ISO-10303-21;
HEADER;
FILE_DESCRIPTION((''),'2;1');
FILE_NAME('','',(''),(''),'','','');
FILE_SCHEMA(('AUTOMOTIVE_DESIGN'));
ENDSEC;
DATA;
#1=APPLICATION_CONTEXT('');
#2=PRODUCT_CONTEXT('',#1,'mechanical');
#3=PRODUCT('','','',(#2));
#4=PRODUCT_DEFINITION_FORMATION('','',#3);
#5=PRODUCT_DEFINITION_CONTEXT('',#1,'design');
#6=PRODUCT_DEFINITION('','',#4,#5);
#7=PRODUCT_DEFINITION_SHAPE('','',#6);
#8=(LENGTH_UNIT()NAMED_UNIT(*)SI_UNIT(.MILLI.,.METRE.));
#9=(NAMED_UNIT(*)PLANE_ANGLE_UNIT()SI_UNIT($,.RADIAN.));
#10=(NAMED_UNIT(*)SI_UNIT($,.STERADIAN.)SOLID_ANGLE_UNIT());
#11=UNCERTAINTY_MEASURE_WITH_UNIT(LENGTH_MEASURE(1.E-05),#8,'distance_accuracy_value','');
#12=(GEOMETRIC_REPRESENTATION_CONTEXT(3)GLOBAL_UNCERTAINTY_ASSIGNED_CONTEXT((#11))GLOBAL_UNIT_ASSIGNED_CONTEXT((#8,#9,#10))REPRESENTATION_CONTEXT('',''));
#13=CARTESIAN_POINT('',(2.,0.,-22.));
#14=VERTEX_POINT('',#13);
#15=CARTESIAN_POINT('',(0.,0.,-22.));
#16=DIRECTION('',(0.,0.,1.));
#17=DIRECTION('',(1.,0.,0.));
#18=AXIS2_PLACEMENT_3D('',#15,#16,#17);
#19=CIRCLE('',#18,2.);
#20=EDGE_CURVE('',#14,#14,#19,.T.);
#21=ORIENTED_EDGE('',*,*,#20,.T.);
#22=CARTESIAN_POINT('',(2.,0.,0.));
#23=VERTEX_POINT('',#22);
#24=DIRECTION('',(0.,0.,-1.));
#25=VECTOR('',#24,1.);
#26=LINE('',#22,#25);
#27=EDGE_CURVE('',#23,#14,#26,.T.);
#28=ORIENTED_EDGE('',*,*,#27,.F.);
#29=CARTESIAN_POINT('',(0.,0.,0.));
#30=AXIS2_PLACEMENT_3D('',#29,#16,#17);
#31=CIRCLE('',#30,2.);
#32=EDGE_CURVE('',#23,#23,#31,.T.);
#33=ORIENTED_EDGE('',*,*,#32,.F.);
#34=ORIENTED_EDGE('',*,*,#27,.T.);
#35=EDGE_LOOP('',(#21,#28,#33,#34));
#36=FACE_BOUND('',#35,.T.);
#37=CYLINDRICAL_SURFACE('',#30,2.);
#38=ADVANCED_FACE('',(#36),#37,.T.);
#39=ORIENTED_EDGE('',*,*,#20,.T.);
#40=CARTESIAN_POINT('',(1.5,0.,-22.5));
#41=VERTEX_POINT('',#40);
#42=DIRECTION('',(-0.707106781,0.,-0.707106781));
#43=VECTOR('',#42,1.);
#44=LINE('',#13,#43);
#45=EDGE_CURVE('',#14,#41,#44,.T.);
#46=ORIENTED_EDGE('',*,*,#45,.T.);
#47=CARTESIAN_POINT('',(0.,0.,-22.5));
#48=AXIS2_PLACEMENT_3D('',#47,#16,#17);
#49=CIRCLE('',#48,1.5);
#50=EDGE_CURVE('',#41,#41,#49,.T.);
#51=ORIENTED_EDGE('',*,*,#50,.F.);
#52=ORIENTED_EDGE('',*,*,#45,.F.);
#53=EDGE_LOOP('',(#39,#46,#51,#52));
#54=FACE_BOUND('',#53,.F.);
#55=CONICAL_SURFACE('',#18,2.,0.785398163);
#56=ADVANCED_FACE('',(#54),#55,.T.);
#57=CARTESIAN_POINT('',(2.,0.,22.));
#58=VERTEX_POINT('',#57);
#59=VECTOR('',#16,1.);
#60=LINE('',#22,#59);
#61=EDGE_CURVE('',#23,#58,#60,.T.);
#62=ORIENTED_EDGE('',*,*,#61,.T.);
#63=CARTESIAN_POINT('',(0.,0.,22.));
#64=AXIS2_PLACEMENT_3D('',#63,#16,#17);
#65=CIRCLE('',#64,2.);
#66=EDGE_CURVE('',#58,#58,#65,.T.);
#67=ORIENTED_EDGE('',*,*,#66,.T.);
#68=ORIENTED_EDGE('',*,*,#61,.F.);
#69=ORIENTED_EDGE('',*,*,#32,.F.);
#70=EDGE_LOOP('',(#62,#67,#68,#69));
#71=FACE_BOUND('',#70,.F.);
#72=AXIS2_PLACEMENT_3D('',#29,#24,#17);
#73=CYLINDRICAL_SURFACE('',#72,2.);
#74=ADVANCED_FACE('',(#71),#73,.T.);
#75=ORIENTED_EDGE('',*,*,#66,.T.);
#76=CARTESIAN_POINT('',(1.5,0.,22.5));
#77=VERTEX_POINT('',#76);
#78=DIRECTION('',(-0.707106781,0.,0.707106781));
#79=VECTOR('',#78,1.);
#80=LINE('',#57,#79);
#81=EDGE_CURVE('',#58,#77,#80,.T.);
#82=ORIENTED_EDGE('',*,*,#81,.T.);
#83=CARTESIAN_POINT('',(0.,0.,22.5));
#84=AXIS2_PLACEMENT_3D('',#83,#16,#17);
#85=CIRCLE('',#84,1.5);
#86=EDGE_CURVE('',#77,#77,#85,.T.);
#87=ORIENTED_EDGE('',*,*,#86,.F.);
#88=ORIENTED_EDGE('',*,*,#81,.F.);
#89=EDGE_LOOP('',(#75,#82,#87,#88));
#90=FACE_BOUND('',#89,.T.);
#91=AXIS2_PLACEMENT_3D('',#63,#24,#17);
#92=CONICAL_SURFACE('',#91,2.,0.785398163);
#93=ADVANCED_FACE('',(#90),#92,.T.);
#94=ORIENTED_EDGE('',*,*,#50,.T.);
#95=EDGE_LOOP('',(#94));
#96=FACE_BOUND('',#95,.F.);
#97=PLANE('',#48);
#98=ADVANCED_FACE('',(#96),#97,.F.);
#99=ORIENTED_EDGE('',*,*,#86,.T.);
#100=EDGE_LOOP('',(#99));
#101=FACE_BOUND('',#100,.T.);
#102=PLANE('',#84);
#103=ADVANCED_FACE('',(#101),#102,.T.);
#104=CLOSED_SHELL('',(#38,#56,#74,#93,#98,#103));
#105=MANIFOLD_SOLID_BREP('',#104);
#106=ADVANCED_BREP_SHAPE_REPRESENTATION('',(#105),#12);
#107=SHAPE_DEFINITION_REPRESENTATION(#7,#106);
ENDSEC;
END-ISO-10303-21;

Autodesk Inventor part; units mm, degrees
sketch "スケッチ1" plane through (0, 0, 0) normal (0, 0, 1) x (1, 0, 0)
  circle A0 centre (0, 0) radius 2
  dimension "d0" = 4
extrude "押し出し1" add sketch "スケッチ1" along normal mid plane 45
chamfer "面取り1" distance 0.5 angle 45 1 edges at (-2, 0, 22.5)
chamfer "面取り2" distance 0.5 angle 45 1 edges at (-2, 0, -22.5)
properties part number "shaft4x45"
